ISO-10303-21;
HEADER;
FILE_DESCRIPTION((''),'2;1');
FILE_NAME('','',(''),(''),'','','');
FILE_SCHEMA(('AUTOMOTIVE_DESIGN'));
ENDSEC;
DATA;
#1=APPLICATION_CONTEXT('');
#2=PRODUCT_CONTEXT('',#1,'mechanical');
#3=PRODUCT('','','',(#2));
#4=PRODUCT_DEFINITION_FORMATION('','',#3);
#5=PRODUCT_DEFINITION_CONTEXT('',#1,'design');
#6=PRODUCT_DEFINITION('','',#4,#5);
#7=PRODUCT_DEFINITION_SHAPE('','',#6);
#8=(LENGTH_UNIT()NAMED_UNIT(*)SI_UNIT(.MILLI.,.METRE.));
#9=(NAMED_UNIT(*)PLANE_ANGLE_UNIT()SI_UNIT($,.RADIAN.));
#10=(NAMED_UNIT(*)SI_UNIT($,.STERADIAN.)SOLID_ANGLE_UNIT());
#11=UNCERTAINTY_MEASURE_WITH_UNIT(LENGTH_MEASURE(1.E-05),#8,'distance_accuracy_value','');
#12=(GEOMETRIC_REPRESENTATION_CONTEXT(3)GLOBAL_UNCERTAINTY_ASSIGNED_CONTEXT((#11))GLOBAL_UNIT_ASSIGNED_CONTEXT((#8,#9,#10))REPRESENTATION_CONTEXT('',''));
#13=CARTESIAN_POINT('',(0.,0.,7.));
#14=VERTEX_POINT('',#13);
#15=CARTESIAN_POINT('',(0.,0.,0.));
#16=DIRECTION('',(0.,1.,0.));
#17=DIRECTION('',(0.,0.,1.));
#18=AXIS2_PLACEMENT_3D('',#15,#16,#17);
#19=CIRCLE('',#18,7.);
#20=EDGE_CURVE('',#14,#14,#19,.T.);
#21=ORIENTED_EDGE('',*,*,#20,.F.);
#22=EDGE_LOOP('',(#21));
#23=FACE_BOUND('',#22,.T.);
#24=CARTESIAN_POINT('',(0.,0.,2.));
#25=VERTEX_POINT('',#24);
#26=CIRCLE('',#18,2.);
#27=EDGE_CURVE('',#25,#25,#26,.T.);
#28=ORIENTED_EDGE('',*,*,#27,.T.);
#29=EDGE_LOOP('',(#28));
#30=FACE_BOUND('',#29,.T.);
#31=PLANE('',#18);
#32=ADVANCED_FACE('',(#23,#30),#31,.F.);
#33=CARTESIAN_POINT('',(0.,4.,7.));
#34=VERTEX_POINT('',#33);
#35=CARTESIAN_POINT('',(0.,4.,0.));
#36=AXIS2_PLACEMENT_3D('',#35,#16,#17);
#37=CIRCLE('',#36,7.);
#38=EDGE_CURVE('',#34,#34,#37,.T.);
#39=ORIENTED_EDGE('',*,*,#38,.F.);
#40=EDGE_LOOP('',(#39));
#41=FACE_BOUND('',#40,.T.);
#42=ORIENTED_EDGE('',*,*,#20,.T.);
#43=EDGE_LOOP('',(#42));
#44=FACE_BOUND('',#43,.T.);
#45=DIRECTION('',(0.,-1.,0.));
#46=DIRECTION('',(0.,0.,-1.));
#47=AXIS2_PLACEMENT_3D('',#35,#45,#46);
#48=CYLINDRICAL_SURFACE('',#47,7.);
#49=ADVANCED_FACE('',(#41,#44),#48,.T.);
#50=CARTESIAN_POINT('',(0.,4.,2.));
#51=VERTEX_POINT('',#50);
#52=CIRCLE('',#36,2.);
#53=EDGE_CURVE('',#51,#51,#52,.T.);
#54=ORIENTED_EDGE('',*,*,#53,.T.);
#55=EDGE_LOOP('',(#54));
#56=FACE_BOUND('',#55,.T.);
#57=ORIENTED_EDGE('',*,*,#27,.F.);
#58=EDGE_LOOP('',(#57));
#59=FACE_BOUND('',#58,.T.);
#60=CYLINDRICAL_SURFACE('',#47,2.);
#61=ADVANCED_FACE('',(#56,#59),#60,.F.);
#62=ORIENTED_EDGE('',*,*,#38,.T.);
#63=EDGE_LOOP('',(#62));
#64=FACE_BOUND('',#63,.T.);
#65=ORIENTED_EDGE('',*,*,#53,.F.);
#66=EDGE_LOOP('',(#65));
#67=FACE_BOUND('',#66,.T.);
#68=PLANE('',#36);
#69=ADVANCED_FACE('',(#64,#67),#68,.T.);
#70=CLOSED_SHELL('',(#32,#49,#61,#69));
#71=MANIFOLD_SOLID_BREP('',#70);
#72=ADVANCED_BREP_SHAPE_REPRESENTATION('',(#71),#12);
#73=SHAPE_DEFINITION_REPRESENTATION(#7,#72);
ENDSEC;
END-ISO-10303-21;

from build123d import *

# Parameters (mm, degrees)
SKETCH_1_R      = 7
SKETCH_1_R_2    = 2
EXTRUDE_1_DEPTH = 4


with BuildPart() as part:
    # 草图1 → 凸台-拉伸1 (new body)
    with BuildSketch(Plane(origin=(0, 0, 0), x_dir=(1, 0, 0), z_dir=(0, 1, 0))):
        Circle(SKETCH_1_R)
        Circle(SKETCH_1_R_2, mode=Mode.SUBTRACT)
    extrude(amount=EXTRUDE_1_DEPTH)


solid = part.part
